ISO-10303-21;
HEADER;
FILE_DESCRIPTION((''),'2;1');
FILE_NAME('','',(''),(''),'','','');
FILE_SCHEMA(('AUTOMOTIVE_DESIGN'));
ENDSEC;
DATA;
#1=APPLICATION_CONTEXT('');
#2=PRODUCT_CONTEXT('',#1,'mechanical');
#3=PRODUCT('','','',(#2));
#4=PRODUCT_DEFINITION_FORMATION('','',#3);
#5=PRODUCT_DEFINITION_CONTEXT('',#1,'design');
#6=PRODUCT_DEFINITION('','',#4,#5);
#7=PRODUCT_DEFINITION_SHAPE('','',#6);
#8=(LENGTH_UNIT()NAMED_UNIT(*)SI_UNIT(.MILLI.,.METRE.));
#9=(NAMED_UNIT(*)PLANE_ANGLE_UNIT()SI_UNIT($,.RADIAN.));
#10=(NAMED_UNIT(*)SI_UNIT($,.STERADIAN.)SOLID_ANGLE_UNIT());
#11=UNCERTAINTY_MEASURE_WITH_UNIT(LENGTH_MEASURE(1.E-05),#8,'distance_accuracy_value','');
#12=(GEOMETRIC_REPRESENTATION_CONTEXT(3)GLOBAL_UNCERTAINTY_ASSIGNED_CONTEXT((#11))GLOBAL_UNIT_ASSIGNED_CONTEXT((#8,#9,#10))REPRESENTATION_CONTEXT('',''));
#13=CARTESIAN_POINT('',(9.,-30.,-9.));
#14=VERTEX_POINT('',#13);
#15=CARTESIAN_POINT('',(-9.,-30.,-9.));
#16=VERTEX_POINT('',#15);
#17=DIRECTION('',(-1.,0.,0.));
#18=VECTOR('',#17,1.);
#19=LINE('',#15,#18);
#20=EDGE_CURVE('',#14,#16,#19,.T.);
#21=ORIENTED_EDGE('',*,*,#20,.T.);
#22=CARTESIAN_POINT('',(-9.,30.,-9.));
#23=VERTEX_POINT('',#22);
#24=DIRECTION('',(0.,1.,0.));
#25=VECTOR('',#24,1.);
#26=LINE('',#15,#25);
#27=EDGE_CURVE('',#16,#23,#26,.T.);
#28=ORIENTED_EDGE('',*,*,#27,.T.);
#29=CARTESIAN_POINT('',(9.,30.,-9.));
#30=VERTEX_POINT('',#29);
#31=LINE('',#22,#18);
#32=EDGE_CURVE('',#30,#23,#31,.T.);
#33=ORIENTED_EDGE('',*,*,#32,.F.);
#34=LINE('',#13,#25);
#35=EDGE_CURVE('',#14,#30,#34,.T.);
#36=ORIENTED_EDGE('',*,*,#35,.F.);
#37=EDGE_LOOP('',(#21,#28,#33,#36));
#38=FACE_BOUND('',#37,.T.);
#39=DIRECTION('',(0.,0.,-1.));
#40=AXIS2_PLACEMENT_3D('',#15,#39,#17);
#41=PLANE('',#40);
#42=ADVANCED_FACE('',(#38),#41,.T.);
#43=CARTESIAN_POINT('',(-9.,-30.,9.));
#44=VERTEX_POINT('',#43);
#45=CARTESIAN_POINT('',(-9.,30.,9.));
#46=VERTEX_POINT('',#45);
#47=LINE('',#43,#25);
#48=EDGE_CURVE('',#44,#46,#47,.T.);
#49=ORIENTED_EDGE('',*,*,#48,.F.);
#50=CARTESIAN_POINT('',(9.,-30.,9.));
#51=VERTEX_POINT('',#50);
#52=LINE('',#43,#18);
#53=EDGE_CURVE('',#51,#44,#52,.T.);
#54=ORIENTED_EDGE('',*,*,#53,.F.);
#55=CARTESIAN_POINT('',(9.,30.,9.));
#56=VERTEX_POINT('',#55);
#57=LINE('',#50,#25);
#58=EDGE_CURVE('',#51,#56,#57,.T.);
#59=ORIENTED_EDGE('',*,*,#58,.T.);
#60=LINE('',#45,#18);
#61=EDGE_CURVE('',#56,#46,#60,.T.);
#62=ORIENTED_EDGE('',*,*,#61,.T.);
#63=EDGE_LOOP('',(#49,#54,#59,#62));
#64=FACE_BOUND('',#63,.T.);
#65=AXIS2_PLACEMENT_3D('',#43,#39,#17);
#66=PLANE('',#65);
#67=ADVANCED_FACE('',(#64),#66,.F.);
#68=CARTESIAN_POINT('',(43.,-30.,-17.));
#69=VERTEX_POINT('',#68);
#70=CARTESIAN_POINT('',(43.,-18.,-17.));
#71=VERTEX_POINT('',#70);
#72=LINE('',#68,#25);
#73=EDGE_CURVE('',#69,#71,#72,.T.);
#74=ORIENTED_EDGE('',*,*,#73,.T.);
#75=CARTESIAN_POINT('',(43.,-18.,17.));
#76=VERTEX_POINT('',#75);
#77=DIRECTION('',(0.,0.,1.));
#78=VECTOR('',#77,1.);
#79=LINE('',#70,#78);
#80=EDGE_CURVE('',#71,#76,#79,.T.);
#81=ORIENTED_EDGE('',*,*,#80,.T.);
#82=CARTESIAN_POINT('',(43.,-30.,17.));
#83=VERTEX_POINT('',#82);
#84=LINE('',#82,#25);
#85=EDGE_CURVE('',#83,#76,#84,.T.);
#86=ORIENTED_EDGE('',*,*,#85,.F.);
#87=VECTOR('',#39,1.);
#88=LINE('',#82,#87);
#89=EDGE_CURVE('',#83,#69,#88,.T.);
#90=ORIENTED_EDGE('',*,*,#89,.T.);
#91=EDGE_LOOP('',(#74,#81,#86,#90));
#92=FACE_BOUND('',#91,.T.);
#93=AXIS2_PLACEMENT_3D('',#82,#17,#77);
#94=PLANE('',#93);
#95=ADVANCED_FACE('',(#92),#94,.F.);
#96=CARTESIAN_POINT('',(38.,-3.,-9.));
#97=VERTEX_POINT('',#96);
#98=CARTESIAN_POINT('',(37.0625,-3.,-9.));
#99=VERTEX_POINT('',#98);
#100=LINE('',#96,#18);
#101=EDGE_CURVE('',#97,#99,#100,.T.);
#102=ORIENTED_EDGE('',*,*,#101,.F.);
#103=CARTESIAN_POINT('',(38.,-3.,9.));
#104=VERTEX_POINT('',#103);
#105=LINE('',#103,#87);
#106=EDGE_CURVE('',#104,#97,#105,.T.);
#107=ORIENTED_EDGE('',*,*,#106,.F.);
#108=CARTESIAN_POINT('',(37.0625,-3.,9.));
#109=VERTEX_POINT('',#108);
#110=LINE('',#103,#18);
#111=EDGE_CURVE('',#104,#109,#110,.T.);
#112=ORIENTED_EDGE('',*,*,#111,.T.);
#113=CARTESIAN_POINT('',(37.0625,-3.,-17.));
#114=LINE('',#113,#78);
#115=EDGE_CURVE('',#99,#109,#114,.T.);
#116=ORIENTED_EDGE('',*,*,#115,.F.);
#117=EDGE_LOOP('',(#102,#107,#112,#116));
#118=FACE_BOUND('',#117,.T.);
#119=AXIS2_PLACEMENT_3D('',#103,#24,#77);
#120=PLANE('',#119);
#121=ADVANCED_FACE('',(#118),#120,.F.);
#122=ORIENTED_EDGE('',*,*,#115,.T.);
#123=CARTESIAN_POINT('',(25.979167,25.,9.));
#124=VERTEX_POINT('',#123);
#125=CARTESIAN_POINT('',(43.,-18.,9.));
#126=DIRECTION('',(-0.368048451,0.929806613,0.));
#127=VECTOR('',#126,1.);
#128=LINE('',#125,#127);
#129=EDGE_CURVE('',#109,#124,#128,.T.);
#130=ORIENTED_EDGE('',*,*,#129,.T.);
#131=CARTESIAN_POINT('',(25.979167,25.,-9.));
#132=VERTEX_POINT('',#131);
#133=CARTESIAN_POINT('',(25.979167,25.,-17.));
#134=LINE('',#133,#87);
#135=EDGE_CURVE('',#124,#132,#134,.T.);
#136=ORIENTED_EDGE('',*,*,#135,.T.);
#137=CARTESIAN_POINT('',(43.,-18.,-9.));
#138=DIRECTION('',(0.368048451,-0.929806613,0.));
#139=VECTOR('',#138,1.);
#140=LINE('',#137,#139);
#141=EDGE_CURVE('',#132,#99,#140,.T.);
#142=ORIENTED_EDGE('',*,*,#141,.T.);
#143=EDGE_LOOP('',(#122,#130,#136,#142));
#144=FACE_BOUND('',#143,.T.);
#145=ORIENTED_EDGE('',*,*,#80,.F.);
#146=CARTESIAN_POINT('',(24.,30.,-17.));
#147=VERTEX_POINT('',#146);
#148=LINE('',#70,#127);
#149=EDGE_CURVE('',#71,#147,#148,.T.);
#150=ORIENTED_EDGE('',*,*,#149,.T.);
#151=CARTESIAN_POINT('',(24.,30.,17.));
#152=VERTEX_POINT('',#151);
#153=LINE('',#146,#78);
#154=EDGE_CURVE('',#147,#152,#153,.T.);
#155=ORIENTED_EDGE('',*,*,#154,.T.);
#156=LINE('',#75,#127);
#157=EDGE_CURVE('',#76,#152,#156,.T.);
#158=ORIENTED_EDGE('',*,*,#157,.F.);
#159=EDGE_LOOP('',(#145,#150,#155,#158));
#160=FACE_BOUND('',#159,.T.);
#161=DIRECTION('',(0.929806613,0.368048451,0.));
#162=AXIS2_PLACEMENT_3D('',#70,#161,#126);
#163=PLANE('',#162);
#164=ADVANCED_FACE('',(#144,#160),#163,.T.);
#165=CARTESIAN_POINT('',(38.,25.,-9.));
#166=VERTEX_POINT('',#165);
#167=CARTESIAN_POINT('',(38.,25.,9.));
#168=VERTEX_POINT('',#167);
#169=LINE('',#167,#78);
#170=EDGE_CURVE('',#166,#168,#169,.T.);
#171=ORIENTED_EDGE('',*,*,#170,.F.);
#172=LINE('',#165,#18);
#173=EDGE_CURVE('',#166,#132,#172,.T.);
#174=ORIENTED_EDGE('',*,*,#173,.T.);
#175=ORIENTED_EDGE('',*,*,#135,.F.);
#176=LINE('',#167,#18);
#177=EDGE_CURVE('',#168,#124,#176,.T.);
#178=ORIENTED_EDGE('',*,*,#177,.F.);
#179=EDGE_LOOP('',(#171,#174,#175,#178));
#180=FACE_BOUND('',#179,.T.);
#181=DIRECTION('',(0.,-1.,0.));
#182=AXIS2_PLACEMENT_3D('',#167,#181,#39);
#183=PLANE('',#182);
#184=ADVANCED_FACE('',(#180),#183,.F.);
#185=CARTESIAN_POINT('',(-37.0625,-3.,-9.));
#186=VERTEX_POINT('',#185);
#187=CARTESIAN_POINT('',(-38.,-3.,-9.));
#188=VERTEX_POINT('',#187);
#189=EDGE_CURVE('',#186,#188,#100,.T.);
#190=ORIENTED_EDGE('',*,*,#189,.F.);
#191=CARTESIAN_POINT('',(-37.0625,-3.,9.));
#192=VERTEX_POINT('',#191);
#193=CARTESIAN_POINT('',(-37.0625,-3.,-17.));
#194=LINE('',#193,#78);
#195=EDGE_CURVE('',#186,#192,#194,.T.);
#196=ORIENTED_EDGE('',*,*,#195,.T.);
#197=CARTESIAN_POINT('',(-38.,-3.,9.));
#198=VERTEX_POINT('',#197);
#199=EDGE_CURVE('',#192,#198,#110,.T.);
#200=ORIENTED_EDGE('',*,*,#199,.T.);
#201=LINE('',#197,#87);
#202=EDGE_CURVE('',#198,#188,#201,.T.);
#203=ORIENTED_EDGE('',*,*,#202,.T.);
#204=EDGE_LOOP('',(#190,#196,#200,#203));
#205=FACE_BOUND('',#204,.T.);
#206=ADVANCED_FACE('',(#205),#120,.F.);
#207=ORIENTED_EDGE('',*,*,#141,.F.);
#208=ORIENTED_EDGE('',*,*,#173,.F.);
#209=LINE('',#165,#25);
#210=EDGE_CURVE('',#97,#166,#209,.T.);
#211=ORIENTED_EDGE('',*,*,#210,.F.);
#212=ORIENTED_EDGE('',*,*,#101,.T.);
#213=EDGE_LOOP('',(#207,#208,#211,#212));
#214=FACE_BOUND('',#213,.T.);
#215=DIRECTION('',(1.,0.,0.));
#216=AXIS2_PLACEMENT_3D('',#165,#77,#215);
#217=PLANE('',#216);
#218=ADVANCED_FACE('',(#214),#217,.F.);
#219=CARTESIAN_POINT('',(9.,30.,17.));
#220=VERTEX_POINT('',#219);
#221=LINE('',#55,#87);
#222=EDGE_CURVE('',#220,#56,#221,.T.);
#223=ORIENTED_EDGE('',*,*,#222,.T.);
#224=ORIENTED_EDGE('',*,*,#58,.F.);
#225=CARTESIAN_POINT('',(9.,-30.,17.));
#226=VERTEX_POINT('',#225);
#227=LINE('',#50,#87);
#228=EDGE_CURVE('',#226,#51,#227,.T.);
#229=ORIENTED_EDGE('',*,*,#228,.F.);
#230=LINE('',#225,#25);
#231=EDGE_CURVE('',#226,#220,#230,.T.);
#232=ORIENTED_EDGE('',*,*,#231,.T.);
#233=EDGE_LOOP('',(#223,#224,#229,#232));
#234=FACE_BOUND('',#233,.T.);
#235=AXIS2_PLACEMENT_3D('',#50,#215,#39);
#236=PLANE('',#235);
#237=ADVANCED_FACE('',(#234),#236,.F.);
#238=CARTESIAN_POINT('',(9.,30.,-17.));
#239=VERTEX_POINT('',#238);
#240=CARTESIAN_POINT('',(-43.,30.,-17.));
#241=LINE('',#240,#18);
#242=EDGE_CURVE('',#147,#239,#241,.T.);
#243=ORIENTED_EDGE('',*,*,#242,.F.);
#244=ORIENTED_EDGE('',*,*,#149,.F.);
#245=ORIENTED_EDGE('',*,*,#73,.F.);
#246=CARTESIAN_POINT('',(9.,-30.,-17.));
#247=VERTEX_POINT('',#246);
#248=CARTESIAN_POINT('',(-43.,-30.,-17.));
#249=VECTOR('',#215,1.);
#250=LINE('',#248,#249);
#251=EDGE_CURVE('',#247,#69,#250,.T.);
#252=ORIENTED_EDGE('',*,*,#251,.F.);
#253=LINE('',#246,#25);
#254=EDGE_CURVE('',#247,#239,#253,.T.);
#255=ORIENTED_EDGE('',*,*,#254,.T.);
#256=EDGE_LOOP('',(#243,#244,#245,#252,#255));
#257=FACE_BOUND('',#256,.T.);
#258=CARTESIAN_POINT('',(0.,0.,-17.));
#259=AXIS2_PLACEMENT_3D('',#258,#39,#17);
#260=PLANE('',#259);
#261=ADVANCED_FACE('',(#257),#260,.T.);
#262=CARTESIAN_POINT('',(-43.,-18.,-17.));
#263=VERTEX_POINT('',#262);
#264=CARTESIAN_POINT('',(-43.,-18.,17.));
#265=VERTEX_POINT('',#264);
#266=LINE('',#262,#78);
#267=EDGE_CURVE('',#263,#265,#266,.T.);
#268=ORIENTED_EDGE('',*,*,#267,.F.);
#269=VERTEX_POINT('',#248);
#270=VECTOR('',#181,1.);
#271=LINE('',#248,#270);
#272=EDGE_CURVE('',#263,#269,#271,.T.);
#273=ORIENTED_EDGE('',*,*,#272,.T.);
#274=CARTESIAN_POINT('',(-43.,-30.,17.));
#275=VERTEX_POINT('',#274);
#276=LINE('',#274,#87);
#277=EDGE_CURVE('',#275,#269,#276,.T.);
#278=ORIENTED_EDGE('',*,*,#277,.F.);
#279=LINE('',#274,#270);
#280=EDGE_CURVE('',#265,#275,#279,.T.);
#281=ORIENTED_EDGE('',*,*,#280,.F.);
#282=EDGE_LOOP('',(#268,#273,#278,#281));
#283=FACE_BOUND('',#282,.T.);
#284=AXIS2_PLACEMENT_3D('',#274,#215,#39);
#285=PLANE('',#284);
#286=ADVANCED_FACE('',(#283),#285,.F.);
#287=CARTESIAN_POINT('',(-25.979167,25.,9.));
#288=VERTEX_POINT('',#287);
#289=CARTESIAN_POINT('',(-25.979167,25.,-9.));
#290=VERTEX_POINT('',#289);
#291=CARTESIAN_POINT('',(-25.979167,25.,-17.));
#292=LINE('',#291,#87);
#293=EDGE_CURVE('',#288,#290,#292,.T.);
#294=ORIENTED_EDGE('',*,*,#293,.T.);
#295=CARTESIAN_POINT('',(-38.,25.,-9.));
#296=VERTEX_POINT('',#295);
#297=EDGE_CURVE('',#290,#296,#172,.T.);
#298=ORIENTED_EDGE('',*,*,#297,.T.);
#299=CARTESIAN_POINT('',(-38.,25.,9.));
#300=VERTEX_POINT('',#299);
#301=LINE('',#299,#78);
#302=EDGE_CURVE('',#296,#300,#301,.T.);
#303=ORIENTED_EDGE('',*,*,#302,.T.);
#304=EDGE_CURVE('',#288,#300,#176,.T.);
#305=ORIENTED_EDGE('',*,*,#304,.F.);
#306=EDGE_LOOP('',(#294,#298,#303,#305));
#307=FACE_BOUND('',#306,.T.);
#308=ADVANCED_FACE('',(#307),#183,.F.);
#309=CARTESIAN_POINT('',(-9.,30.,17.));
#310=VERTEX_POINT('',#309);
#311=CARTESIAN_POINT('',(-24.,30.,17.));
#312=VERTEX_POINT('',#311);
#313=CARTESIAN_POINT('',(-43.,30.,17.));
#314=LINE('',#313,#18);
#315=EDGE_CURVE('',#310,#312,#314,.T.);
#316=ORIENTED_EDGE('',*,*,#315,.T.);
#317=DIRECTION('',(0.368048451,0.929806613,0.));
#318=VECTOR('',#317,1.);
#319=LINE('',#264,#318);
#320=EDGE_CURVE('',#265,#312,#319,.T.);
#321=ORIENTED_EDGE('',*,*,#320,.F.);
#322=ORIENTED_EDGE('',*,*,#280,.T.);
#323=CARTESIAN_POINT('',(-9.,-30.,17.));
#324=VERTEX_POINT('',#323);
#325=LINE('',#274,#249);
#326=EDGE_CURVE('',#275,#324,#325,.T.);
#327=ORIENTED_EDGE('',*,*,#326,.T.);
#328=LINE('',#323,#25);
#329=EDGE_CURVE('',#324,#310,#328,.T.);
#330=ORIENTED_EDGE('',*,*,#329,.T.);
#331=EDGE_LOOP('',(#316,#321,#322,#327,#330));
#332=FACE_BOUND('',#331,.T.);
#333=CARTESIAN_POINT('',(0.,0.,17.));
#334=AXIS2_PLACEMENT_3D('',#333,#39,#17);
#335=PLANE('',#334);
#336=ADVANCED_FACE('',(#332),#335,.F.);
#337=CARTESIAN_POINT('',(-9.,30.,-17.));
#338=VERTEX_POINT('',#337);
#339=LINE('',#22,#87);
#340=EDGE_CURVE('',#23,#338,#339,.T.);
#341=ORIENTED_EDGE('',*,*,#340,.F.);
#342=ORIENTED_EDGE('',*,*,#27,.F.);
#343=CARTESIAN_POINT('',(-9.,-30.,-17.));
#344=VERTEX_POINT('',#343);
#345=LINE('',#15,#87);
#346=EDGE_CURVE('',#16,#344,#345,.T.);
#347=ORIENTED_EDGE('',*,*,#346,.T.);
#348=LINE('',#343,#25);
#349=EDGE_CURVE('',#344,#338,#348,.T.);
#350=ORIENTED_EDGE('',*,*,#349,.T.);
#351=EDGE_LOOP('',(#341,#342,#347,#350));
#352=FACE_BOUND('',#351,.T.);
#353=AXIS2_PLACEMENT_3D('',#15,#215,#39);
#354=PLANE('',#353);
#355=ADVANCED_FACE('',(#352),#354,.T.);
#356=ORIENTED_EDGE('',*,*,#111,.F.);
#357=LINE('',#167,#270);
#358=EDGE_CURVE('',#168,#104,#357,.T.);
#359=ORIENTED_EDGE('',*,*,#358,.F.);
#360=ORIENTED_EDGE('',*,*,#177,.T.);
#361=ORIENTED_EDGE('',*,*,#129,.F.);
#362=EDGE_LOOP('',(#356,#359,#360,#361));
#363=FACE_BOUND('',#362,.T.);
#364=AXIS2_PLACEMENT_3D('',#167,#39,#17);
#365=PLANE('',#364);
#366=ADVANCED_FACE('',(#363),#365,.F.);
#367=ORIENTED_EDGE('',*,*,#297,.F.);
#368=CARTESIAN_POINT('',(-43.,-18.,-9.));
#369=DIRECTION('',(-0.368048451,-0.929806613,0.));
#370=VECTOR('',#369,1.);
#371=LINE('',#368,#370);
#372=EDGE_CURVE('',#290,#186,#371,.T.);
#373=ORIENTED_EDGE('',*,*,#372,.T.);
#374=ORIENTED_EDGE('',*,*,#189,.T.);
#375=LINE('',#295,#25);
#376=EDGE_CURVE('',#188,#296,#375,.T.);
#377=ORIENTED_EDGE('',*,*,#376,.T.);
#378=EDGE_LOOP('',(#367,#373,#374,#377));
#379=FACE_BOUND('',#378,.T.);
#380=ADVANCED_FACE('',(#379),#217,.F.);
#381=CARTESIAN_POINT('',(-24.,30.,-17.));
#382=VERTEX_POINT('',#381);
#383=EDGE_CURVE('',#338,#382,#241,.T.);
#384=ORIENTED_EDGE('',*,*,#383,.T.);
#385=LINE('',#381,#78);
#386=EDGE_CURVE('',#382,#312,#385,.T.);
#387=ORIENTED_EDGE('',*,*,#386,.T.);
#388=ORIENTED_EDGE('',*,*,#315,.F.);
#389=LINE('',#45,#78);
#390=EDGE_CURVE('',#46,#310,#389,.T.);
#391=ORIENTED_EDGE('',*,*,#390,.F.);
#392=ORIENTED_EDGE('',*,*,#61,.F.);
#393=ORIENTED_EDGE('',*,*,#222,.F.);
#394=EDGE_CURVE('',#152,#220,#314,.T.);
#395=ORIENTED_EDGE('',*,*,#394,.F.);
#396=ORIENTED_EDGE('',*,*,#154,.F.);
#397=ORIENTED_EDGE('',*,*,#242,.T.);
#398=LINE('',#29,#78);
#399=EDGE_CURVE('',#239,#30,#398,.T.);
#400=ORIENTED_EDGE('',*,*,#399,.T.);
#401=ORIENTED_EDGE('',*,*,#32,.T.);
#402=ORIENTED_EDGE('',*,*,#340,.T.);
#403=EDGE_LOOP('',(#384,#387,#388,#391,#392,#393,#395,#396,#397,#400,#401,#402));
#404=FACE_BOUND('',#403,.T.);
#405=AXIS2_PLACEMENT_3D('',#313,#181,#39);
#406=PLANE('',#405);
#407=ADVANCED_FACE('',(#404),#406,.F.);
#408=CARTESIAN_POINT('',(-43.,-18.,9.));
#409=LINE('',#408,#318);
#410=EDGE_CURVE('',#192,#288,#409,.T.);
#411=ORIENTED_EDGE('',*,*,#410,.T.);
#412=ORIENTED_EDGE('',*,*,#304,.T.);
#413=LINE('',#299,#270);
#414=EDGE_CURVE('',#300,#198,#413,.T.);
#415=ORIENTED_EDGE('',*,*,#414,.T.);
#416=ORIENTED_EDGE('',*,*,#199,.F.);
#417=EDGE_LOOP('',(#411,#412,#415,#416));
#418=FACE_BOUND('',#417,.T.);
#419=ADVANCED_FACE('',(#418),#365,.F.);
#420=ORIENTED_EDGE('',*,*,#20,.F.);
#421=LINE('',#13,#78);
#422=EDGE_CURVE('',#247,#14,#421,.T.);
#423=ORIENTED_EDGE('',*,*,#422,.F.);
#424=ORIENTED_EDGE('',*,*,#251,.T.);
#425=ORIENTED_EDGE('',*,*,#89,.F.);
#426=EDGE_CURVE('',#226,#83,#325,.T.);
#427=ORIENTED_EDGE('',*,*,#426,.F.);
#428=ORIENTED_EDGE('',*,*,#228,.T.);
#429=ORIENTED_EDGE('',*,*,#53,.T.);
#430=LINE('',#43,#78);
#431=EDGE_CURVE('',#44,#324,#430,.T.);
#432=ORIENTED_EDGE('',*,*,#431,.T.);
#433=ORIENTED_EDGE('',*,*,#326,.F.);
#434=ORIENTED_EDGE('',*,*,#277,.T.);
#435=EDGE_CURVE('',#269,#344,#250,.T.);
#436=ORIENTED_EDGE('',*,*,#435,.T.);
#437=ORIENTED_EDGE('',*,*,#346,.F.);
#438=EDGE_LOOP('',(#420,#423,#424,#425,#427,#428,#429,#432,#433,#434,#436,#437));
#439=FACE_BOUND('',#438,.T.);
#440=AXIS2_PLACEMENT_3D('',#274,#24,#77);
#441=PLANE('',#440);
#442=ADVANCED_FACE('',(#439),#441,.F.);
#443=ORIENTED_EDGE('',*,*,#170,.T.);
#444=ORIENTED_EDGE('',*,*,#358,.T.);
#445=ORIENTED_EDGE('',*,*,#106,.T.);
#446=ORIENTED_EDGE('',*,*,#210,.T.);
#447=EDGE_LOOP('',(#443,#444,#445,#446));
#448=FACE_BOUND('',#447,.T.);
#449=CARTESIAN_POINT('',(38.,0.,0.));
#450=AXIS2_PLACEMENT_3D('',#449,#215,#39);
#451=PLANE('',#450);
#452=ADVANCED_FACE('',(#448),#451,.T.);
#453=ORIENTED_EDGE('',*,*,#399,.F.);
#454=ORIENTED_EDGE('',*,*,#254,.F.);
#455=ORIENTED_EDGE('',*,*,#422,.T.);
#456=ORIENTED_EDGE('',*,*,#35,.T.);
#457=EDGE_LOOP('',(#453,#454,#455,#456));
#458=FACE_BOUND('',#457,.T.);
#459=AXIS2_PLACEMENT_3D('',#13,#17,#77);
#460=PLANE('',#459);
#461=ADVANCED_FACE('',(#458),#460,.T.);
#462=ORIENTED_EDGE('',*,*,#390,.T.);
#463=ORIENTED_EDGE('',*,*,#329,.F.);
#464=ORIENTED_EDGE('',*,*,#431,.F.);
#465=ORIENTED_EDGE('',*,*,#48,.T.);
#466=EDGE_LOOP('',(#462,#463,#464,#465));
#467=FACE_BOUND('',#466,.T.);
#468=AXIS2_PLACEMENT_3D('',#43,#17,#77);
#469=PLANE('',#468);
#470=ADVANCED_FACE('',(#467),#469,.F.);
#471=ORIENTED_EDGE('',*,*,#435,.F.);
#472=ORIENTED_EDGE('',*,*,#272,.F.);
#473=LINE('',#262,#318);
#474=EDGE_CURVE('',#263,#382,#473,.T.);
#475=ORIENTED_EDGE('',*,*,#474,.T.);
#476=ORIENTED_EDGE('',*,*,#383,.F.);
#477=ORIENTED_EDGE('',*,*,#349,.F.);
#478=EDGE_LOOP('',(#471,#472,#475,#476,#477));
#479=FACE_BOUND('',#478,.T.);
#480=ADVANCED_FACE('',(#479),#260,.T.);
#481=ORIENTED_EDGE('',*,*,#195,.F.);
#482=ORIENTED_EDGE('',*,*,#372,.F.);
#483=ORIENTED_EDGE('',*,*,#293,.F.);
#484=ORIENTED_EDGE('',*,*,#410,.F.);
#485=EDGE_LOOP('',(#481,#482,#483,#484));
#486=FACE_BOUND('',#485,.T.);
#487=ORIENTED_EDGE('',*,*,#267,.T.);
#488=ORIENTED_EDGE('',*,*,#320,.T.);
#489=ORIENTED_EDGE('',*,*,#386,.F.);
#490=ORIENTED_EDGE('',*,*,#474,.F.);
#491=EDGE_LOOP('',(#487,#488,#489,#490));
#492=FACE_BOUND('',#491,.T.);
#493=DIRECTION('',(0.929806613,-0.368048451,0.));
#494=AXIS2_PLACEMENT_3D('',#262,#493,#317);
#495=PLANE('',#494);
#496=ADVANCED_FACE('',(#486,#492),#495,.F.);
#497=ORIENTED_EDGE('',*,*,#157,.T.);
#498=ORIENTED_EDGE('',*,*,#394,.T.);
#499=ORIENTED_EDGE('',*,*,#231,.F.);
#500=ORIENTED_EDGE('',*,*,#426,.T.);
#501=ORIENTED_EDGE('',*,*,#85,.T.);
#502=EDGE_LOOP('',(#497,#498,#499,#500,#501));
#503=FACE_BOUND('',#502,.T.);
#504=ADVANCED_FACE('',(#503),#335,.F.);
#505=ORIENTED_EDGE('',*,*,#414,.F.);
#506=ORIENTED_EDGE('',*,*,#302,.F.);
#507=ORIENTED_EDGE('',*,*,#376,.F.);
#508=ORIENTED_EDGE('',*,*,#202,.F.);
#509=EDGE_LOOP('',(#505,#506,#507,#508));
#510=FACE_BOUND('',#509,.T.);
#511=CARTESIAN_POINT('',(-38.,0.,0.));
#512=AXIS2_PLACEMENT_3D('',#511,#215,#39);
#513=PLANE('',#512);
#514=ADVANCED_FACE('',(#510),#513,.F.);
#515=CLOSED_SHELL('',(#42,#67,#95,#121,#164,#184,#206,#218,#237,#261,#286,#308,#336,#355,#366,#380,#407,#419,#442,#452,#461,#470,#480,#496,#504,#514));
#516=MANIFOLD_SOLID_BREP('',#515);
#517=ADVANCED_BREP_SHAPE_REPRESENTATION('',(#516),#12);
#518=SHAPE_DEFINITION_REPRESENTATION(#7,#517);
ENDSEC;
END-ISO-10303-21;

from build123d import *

# Parameters (mm, degrees)
SKETCH1_W           = 86
SKETCH1_H           = 60
BOSS_EXTRUDE1_DEPTH = 17
SKETCH2_W           = 18
SKETCH2_H           = 8
CUT_EXTRUDE1_DEPTH  = 56.118055118
CUT_EXTRUDE3_DEPTH  = 56.118055118
SKETCH4_W           = 18
SKETCH4_H           = 28
BOSS_EXTRUDE2_DEPTH = 38


with BuildPart() as part:
    # Sketch1 → Boss-Extrude1 (new, symmetric)
    with BuildSketch(Plane.XY):
        Rectangle(SKETCH1_W, SKETCH1_H)
    extrude(amount=BOSS_EXTRUDE1_DEPTH, both=True)

    # Sketch2 → Cut-Extrude1 (cut, symmetric)
    with BuildSketch(Plane(origin=(0, 0, 0), x_dir=(1, 0, 0), z_dir=(0, 1, 0))):
        with Locations((0, -13)):
            Rectangle(SKETCH2_W, SKETCH2_H)
    cut_extrude1 = extrude(amount=CUT_EXTRUDE1_DEPTH, both=True, mode=Mode.SUBTRACT)

    # Mirror1: Cut-Extrude1 across plane
    add(cut_extrude1.mirror(Plane.XY), mode=Mode.SUBTRACT)

    # Sketch3 → Cut-Extrude3 (cut, symmetric)
    with BuildSketch(Plane.XY):
        Polygon((-43, 30), (-43, -18), (-24, 30), align=None)
    cut_extrude3 = extrude(amount=CUT_EXTRUDE3_DEPTH, both=True, mode=Mode.SUBTRACT)

    # Mirror2: Cut-Extrude3 across plane
    add(cut_extrude3.mirror(Plane(origin=(0, 0, 0), x_dir=(0, 0, 1), z_dir=(1, 0, 0))), mode=Mode.SUBTRACT)

    # Sketch4 → Boss-Extrude2 (add, symmetric)
    with BuildSketch(Plane(origin=(0, 0, 0), x_dir=(0, 0, -1), z_dir=(1, 0, 0))):
        with Locations((0, 11)):
            Rectangle(SKETCH4_W, SKETCH4_H)
    extrude(amount=BOSS_EXTRUDE2_DEPTH, both=True)


solid = part.part
